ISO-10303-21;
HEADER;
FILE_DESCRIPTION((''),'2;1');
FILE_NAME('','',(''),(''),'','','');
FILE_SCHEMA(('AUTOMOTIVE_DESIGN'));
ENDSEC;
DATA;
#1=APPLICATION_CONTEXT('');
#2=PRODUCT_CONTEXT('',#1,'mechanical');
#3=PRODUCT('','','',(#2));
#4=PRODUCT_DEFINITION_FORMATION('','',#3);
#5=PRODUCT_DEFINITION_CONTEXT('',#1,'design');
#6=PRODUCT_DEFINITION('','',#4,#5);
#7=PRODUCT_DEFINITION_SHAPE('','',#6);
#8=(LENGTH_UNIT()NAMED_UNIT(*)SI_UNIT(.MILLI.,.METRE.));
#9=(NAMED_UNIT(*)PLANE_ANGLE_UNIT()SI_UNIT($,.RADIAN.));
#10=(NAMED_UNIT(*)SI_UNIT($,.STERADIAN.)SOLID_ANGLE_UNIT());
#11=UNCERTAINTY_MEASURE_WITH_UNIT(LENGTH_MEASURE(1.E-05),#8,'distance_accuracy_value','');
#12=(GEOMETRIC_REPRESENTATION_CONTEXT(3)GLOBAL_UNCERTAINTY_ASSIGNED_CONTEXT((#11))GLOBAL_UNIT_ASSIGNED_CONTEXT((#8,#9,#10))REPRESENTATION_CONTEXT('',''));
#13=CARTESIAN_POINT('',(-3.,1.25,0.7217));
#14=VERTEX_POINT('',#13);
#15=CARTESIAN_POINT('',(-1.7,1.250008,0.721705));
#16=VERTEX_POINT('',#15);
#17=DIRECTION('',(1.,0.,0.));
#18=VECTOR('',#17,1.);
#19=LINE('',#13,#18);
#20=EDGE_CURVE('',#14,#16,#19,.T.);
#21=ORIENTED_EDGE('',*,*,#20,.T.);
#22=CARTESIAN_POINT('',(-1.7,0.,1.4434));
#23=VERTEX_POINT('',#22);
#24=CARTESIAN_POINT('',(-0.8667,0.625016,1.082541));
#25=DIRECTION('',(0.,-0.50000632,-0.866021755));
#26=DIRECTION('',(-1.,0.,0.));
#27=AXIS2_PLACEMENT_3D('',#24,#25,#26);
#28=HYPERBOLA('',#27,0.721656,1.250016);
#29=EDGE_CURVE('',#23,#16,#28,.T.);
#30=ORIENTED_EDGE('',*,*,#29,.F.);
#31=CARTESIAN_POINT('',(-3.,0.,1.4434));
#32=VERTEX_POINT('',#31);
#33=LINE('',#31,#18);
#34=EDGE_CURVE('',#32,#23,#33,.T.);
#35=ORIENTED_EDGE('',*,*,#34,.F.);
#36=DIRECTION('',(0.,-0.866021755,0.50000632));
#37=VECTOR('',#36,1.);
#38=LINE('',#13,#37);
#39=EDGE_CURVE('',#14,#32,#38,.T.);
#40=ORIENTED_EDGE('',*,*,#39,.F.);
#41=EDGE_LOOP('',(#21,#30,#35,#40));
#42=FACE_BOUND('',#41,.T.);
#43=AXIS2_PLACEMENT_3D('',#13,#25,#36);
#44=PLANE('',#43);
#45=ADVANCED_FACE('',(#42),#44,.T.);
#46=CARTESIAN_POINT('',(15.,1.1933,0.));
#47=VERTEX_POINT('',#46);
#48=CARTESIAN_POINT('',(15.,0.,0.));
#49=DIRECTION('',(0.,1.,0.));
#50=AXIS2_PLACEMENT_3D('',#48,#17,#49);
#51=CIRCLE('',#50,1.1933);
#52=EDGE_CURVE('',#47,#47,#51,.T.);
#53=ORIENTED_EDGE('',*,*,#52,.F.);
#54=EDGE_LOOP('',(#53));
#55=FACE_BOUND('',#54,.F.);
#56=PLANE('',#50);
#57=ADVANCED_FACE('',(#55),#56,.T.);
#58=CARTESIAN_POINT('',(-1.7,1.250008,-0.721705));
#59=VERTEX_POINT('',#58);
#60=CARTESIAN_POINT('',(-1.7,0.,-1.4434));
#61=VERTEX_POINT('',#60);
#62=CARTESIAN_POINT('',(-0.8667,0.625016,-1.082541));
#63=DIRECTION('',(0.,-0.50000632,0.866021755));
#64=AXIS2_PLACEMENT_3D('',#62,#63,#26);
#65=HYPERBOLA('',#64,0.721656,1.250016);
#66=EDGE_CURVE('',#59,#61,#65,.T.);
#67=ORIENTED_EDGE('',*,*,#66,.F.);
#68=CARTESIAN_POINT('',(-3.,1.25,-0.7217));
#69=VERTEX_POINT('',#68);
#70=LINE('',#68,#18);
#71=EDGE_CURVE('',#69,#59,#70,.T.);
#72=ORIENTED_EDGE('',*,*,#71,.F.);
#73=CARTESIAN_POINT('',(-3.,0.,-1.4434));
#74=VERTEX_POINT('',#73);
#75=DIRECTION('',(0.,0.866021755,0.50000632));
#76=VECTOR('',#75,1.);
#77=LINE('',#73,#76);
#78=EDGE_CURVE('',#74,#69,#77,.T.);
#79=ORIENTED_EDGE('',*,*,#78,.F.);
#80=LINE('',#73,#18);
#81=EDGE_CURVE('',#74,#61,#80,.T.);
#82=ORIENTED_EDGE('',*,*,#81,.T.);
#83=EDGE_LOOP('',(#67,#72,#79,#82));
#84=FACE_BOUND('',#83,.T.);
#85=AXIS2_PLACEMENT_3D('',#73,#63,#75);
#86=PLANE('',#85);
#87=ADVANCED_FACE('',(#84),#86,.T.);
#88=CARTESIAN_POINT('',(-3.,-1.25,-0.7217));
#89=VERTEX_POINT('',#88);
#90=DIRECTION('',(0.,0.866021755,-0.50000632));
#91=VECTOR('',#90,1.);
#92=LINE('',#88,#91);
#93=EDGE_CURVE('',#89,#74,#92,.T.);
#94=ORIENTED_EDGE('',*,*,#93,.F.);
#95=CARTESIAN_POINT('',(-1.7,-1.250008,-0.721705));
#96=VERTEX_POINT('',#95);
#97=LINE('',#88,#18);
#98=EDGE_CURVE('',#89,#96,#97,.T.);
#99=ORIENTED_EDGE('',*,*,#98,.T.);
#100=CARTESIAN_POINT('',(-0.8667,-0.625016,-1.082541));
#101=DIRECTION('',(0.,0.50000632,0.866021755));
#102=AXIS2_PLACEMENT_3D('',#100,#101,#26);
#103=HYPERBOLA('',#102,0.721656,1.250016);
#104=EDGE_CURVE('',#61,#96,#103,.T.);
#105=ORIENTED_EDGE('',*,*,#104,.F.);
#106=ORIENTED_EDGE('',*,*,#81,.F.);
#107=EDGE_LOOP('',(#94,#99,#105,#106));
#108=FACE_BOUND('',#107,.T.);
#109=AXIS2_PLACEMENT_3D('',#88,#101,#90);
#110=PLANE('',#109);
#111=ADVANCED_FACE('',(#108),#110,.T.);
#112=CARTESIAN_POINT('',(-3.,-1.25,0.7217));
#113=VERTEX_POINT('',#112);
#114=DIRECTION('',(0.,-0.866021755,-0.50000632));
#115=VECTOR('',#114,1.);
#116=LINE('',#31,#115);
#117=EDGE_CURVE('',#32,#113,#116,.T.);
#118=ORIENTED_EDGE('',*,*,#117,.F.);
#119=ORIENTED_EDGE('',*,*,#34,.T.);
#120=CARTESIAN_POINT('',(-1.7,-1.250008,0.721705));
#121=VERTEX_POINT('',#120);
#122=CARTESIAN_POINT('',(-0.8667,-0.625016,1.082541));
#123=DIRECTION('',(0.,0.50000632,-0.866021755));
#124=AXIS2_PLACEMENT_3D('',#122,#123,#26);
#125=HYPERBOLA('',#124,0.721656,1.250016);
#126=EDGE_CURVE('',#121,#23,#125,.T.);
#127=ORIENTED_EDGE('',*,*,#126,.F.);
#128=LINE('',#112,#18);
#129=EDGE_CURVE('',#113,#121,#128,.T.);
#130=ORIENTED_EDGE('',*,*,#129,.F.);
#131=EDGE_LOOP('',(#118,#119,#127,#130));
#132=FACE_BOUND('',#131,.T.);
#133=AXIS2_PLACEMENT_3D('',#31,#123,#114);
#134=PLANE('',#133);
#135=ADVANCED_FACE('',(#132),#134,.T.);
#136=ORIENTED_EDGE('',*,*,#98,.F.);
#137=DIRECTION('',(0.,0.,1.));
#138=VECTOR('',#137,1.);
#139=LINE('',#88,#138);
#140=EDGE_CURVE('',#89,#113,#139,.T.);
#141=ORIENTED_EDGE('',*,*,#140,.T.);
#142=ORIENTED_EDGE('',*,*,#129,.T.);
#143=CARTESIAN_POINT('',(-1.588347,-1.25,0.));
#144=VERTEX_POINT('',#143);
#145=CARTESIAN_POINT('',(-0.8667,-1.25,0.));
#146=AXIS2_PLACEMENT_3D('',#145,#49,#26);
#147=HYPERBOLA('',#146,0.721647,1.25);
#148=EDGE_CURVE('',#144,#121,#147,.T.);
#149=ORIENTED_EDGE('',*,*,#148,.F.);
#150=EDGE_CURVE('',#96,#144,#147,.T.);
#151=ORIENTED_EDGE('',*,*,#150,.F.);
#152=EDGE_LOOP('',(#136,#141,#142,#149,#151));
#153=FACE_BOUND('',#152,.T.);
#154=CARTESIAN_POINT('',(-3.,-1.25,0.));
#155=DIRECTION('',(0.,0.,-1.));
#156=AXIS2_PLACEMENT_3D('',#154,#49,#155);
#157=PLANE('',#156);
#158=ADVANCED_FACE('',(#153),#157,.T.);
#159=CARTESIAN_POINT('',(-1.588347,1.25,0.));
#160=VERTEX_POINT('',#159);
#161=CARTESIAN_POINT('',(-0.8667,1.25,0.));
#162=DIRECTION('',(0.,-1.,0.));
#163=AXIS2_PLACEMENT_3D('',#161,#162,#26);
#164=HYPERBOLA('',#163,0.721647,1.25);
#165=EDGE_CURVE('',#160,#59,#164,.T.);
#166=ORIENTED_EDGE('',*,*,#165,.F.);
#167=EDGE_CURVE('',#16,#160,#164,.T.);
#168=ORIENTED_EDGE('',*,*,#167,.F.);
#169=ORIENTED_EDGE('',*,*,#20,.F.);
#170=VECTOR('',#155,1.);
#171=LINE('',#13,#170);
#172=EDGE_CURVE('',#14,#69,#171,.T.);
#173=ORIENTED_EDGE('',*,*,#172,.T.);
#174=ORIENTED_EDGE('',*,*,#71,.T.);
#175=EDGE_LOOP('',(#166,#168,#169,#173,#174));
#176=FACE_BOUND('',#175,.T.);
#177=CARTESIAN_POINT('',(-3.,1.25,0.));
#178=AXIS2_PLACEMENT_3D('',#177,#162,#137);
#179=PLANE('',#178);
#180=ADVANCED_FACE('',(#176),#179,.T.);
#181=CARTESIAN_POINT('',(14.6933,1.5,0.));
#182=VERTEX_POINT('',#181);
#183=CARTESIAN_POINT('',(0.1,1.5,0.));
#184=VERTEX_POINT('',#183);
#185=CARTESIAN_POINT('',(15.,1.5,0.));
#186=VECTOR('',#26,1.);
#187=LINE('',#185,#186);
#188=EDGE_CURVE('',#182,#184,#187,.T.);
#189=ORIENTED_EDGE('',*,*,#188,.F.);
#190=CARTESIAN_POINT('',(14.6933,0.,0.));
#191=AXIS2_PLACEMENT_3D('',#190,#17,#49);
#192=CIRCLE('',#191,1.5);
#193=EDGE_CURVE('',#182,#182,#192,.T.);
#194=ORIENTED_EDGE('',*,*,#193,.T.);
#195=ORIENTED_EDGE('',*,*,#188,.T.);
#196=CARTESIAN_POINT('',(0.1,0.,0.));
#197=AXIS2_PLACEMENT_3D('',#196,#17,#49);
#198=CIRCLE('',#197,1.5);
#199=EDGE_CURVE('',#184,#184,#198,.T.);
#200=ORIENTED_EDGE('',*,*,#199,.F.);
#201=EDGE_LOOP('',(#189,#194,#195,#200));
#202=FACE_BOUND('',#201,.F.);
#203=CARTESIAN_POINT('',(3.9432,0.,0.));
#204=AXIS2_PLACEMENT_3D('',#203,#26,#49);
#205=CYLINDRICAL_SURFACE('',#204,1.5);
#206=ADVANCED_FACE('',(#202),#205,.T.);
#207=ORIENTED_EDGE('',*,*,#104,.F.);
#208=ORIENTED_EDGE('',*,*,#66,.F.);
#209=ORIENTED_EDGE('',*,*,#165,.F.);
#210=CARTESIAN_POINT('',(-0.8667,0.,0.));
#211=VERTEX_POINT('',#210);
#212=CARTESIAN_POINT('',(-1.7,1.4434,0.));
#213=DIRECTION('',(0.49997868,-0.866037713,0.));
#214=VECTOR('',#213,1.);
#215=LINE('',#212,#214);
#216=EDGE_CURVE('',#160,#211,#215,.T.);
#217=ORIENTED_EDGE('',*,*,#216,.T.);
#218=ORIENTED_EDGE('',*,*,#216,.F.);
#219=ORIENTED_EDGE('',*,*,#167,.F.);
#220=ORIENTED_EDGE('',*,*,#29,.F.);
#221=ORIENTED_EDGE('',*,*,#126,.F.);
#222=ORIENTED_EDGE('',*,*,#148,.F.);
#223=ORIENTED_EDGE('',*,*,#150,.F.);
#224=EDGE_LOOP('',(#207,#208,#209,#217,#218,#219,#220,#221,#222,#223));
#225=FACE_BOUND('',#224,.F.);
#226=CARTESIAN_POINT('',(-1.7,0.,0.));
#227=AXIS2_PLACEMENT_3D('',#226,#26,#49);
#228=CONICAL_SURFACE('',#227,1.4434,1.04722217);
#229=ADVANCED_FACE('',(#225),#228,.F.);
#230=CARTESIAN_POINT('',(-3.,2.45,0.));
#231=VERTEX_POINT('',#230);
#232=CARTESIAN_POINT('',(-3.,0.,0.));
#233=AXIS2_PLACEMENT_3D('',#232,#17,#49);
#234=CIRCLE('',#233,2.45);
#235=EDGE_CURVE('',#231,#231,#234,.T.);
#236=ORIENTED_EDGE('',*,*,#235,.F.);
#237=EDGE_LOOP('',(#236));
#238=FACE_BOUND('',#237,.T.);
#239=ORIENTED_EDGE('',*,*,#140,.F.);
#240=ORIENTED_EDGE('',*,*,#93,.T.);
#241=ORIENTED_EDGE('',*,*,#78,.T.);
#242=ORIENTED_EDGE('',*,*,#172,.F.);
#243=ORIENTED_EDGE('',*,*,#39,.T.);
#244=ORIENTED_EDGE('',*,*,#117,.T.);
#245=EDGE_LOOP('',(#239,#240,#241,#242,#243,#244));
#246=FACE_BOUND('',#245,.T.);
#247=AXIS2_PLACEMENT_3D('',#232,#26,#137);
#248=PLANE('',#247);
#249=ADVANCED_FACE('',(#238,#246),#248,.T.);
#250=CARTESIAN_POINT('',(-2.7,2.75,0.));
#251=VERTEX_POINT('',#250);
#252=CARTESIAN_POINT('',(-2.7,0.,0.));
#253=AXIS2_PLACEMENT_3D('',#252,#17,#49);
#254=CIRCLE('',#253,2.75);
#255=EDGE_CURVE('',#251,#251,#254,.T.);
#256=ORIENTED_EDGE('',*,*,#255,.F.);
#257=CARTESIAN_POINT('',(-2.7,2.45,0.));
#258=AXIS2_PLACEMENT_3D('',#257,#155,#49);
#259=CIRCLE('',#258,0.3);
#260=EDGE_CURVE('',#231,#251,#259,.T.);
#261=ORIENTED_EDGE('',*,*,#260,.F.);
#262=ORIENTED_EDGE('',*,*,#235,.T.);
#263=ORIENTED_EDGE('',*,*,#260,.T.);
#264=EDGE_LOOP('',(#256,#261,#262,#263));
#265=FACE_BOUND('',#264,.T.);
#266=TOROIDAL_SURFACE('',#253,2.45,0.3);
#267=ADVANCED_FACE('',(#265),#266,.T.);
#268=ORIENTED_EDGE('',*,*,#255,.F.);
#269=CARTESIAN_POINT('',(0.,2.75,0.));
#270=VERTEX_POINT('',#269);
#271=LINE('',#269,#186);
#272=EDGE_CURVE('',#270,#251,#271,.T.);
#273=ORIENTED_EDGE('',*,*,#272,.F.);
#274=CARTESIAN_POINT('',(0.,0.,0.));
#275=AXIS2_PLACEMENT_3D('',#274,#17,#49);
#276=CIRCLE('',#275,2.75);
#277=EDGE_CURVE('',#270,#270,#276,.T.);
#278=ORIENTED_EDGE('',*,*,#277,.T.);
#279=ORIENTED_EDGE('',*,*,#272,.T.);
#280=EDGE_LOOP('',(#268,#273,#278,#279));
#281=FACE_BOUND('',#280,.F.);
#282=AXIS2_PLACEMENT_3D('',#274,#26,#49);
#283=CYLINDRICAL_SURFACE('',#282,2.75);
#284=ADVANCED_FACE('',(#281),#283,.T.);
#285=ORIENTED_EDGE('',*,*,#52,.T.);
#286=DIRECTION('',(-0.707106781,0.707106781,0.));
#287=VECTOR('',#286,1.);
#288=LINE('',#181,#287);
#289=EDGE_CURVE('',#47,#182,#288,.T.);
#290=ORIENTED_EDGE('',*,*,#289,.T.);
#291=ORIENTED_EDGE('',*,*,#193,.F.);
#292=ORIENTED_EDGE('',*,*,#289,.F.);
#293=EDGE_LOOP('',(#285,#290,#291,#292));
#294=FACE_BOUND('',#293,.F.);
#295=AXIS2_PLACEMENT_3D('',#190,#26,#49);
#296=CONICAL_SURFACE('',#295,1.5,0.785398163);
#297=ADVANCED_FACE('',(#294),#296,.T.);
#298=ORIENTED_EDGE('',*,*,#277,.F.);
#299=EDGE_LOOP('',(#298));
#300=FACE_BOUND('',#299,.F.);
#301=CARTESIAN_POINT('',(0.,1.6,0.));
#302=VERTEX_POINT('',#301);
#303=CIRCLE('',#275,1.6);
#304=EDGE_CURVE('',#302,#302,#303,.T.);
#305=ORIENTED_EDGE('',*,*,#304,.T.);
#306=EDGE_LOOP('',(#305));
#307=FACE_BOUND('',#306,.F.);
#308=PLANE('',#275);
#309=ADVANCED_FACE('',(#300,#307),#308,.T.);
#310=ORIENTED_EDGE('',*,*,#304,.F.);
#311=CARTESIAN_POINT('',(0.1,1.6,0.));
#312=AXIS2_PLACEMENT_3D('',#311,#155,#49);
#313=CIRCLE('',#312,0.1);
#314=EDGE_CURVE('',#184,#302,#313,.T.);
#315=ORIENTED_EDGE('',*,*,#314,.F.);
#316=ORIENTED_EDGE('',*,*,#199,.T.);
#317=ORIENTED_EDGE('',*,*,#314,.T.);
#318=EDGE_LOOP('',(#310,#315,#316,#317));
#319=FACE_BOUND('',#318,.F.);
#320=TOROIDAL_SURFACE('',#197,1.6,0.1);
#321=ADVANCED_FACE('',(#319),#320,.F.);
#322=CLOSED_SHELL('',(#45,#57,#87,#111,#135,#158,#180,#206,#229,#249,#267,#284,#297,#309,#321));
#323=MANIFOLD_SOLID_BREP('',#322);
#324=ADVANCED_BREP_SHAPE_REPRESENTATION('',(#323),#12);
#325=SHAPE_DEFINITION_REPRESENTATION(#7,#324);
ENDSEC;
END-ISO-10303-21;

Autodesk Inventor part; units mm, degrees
ref_plane "YZ Plane" through (0, 0, 0) normal (1, 0, 0) x (0, 1, 0)
ref_plane "XZ Plane" through (0, 0, 0) normal (0, 1, 0) x (-1, 0, 0)
sketch "Sketch1" plane through (0, 0, 0) normal (0, 0, 1) x (1, 0, 0)
  line L0 (-0.8667, 0) -> (15, 0)
  line L1 (15, 0) -> (15, 1.5)
  line L2 (15, 1.5) -> (4.25, 1.5)
  line L3 (4.25, 1.5) -> (3.9432, 1.5)
  line L4 (3.9432, 1.5) -> (0, 1.5)
  line L5 (0, 1.5) -> (0, 2.75)
  line L6 (0, 2.75) -> (-3, 2.75)
  line L7 (-3, 2.75) -> (-3, 1.4434)
  line L8 (-3, 1.4434) -> (-1.7, 1.4434)
  line L9 (-1.7, 1.4434) -> (-0.8667, 0)
  line L10 (-6.6, 0) -> (18.6, 0) projected
  line L11 (0, -0.55) -> (0, 3.3) projected
  line L12 (4.25, 1.5) -> (0, 1.5) construction
  dimension "d1" = 10.75
  dimension "d2" = 0.3068
  dimension "d3" = 3
  dimension "d4" = 1.3
  dimension "d5" = 60
  dimension "d6" = 3
  dimension "d7" = 3
  dimension "d8" = 2.8868
  dimension "d9" = 5.5
  dimension "d26" = 15
revolve "Body" add sketch "Sketch1" angle 360 about axis through (-0.8667, 0, 0) along (1, 0, 0)
sketch "Sketch2" plane through (-3, 0, 0) normal (-1, 0, 0) x (0, 0, 1)
  circle A0 centre (0, 0) radius 1.4434 projected
  line L0 (0, -3.85) -> (0, 3.85) projected
  line L1 (-3.85, 0) -> (3.85, 0) projected
  line L2 (1.4434, 0) -> (0.7217, -1.25)
  line L3 (0.7217, -1.25) -> (-0.7217, -1.25)
  line L4 (-0.7217, -1.25) -> (-1.4434, 0)
  line L5 (-1.4434, 0) -> (-0.7217, 1.25)
  line L6 (-0.7217, 1.25) -> (0.7217, 1.25)
  line L7 (0.7217, 1.25) -> (1.4434, 0)
  point P0 (0, 0)
extrude "Slot" add sketch "Sketch2" against normal up to next contours L7 A0 | A0 L2 | L6 L0 A0 | A0 L0 L3 | L0 L6 A0 | A0 L3 L0 | L4 A0 | A0 L5
fillet "Fillet1" radius 0.3 1 edges at (-3, -2.75, 0)
thread "Thread" size "M3x0.5" class "6g" standard "ISO Metric profile" length 10.75
chamfer "Chamfer1" distance 0.3067 distance2 0.3067 1 edges at (15, -1.5, 0) measured on face at (15, 0.5539, 0.4443)
ref_plane "Work Plane1" through (29, 0, 0) normal (0, -1, 0) x (1, 0, 0)
fillet "Fillet2" radius 0.1 1 edges at (0, -1.5, 0)
equation "\"d1\" = GEL"
equation "\"d3\" = KOH"
equation "\"d4\" = INTI"
equation "\"d6\" = GD"
equation "\"d7\" = BDM"
equation "\"d8\" = 1.1547 * SW"
equation "\"d9\" = KOD"
equation "\"d30\" = R"
equation "\"d17\" = RR"
equation "\"d13\" = GEL"
equation "\"d15\" = -0.5 * SPD + 0.5 * GD"
equation "\"d16\" = GUL"
equation "\"GD\" = NND"
equation "\"NLG\" = 12"
equation "\"GEL\" = 10.75"
equation "\"KOD\" = 5.5"
equation "\"KOH\" = NND"
equation "\"INTI\" = 1.3"
equation "\"GAL\" = 0.61345 * PTC"
equation "\"GUL\" = 0.61345 * PTC"
equation "\"BDM\" = NND"
equation "\"SW\" = 2.5"
equation "\"RR\" = 0.1 * NND"
equation "\"SPD\" = NND - 1.2269 * PTC"
equation "\"R\" = 0.1"
equation "\"PHH\" = 0.13"
equation "\"GD1\" = THREADDIA - 1.2269 * PTC"
equation "\"THREADDIA\" = 3"
equation "\"FAWI\" = 45deg"
equation "\"PTC\" = 0.5"
equation "\"KOH1\" = 2.7"
equation "\"NND\" = 3"
equation "\"TOA\" = 30deg"
equation "\"E0\" = 1.155 * SW"
properties part number "F105" material "Steel, Mild"
